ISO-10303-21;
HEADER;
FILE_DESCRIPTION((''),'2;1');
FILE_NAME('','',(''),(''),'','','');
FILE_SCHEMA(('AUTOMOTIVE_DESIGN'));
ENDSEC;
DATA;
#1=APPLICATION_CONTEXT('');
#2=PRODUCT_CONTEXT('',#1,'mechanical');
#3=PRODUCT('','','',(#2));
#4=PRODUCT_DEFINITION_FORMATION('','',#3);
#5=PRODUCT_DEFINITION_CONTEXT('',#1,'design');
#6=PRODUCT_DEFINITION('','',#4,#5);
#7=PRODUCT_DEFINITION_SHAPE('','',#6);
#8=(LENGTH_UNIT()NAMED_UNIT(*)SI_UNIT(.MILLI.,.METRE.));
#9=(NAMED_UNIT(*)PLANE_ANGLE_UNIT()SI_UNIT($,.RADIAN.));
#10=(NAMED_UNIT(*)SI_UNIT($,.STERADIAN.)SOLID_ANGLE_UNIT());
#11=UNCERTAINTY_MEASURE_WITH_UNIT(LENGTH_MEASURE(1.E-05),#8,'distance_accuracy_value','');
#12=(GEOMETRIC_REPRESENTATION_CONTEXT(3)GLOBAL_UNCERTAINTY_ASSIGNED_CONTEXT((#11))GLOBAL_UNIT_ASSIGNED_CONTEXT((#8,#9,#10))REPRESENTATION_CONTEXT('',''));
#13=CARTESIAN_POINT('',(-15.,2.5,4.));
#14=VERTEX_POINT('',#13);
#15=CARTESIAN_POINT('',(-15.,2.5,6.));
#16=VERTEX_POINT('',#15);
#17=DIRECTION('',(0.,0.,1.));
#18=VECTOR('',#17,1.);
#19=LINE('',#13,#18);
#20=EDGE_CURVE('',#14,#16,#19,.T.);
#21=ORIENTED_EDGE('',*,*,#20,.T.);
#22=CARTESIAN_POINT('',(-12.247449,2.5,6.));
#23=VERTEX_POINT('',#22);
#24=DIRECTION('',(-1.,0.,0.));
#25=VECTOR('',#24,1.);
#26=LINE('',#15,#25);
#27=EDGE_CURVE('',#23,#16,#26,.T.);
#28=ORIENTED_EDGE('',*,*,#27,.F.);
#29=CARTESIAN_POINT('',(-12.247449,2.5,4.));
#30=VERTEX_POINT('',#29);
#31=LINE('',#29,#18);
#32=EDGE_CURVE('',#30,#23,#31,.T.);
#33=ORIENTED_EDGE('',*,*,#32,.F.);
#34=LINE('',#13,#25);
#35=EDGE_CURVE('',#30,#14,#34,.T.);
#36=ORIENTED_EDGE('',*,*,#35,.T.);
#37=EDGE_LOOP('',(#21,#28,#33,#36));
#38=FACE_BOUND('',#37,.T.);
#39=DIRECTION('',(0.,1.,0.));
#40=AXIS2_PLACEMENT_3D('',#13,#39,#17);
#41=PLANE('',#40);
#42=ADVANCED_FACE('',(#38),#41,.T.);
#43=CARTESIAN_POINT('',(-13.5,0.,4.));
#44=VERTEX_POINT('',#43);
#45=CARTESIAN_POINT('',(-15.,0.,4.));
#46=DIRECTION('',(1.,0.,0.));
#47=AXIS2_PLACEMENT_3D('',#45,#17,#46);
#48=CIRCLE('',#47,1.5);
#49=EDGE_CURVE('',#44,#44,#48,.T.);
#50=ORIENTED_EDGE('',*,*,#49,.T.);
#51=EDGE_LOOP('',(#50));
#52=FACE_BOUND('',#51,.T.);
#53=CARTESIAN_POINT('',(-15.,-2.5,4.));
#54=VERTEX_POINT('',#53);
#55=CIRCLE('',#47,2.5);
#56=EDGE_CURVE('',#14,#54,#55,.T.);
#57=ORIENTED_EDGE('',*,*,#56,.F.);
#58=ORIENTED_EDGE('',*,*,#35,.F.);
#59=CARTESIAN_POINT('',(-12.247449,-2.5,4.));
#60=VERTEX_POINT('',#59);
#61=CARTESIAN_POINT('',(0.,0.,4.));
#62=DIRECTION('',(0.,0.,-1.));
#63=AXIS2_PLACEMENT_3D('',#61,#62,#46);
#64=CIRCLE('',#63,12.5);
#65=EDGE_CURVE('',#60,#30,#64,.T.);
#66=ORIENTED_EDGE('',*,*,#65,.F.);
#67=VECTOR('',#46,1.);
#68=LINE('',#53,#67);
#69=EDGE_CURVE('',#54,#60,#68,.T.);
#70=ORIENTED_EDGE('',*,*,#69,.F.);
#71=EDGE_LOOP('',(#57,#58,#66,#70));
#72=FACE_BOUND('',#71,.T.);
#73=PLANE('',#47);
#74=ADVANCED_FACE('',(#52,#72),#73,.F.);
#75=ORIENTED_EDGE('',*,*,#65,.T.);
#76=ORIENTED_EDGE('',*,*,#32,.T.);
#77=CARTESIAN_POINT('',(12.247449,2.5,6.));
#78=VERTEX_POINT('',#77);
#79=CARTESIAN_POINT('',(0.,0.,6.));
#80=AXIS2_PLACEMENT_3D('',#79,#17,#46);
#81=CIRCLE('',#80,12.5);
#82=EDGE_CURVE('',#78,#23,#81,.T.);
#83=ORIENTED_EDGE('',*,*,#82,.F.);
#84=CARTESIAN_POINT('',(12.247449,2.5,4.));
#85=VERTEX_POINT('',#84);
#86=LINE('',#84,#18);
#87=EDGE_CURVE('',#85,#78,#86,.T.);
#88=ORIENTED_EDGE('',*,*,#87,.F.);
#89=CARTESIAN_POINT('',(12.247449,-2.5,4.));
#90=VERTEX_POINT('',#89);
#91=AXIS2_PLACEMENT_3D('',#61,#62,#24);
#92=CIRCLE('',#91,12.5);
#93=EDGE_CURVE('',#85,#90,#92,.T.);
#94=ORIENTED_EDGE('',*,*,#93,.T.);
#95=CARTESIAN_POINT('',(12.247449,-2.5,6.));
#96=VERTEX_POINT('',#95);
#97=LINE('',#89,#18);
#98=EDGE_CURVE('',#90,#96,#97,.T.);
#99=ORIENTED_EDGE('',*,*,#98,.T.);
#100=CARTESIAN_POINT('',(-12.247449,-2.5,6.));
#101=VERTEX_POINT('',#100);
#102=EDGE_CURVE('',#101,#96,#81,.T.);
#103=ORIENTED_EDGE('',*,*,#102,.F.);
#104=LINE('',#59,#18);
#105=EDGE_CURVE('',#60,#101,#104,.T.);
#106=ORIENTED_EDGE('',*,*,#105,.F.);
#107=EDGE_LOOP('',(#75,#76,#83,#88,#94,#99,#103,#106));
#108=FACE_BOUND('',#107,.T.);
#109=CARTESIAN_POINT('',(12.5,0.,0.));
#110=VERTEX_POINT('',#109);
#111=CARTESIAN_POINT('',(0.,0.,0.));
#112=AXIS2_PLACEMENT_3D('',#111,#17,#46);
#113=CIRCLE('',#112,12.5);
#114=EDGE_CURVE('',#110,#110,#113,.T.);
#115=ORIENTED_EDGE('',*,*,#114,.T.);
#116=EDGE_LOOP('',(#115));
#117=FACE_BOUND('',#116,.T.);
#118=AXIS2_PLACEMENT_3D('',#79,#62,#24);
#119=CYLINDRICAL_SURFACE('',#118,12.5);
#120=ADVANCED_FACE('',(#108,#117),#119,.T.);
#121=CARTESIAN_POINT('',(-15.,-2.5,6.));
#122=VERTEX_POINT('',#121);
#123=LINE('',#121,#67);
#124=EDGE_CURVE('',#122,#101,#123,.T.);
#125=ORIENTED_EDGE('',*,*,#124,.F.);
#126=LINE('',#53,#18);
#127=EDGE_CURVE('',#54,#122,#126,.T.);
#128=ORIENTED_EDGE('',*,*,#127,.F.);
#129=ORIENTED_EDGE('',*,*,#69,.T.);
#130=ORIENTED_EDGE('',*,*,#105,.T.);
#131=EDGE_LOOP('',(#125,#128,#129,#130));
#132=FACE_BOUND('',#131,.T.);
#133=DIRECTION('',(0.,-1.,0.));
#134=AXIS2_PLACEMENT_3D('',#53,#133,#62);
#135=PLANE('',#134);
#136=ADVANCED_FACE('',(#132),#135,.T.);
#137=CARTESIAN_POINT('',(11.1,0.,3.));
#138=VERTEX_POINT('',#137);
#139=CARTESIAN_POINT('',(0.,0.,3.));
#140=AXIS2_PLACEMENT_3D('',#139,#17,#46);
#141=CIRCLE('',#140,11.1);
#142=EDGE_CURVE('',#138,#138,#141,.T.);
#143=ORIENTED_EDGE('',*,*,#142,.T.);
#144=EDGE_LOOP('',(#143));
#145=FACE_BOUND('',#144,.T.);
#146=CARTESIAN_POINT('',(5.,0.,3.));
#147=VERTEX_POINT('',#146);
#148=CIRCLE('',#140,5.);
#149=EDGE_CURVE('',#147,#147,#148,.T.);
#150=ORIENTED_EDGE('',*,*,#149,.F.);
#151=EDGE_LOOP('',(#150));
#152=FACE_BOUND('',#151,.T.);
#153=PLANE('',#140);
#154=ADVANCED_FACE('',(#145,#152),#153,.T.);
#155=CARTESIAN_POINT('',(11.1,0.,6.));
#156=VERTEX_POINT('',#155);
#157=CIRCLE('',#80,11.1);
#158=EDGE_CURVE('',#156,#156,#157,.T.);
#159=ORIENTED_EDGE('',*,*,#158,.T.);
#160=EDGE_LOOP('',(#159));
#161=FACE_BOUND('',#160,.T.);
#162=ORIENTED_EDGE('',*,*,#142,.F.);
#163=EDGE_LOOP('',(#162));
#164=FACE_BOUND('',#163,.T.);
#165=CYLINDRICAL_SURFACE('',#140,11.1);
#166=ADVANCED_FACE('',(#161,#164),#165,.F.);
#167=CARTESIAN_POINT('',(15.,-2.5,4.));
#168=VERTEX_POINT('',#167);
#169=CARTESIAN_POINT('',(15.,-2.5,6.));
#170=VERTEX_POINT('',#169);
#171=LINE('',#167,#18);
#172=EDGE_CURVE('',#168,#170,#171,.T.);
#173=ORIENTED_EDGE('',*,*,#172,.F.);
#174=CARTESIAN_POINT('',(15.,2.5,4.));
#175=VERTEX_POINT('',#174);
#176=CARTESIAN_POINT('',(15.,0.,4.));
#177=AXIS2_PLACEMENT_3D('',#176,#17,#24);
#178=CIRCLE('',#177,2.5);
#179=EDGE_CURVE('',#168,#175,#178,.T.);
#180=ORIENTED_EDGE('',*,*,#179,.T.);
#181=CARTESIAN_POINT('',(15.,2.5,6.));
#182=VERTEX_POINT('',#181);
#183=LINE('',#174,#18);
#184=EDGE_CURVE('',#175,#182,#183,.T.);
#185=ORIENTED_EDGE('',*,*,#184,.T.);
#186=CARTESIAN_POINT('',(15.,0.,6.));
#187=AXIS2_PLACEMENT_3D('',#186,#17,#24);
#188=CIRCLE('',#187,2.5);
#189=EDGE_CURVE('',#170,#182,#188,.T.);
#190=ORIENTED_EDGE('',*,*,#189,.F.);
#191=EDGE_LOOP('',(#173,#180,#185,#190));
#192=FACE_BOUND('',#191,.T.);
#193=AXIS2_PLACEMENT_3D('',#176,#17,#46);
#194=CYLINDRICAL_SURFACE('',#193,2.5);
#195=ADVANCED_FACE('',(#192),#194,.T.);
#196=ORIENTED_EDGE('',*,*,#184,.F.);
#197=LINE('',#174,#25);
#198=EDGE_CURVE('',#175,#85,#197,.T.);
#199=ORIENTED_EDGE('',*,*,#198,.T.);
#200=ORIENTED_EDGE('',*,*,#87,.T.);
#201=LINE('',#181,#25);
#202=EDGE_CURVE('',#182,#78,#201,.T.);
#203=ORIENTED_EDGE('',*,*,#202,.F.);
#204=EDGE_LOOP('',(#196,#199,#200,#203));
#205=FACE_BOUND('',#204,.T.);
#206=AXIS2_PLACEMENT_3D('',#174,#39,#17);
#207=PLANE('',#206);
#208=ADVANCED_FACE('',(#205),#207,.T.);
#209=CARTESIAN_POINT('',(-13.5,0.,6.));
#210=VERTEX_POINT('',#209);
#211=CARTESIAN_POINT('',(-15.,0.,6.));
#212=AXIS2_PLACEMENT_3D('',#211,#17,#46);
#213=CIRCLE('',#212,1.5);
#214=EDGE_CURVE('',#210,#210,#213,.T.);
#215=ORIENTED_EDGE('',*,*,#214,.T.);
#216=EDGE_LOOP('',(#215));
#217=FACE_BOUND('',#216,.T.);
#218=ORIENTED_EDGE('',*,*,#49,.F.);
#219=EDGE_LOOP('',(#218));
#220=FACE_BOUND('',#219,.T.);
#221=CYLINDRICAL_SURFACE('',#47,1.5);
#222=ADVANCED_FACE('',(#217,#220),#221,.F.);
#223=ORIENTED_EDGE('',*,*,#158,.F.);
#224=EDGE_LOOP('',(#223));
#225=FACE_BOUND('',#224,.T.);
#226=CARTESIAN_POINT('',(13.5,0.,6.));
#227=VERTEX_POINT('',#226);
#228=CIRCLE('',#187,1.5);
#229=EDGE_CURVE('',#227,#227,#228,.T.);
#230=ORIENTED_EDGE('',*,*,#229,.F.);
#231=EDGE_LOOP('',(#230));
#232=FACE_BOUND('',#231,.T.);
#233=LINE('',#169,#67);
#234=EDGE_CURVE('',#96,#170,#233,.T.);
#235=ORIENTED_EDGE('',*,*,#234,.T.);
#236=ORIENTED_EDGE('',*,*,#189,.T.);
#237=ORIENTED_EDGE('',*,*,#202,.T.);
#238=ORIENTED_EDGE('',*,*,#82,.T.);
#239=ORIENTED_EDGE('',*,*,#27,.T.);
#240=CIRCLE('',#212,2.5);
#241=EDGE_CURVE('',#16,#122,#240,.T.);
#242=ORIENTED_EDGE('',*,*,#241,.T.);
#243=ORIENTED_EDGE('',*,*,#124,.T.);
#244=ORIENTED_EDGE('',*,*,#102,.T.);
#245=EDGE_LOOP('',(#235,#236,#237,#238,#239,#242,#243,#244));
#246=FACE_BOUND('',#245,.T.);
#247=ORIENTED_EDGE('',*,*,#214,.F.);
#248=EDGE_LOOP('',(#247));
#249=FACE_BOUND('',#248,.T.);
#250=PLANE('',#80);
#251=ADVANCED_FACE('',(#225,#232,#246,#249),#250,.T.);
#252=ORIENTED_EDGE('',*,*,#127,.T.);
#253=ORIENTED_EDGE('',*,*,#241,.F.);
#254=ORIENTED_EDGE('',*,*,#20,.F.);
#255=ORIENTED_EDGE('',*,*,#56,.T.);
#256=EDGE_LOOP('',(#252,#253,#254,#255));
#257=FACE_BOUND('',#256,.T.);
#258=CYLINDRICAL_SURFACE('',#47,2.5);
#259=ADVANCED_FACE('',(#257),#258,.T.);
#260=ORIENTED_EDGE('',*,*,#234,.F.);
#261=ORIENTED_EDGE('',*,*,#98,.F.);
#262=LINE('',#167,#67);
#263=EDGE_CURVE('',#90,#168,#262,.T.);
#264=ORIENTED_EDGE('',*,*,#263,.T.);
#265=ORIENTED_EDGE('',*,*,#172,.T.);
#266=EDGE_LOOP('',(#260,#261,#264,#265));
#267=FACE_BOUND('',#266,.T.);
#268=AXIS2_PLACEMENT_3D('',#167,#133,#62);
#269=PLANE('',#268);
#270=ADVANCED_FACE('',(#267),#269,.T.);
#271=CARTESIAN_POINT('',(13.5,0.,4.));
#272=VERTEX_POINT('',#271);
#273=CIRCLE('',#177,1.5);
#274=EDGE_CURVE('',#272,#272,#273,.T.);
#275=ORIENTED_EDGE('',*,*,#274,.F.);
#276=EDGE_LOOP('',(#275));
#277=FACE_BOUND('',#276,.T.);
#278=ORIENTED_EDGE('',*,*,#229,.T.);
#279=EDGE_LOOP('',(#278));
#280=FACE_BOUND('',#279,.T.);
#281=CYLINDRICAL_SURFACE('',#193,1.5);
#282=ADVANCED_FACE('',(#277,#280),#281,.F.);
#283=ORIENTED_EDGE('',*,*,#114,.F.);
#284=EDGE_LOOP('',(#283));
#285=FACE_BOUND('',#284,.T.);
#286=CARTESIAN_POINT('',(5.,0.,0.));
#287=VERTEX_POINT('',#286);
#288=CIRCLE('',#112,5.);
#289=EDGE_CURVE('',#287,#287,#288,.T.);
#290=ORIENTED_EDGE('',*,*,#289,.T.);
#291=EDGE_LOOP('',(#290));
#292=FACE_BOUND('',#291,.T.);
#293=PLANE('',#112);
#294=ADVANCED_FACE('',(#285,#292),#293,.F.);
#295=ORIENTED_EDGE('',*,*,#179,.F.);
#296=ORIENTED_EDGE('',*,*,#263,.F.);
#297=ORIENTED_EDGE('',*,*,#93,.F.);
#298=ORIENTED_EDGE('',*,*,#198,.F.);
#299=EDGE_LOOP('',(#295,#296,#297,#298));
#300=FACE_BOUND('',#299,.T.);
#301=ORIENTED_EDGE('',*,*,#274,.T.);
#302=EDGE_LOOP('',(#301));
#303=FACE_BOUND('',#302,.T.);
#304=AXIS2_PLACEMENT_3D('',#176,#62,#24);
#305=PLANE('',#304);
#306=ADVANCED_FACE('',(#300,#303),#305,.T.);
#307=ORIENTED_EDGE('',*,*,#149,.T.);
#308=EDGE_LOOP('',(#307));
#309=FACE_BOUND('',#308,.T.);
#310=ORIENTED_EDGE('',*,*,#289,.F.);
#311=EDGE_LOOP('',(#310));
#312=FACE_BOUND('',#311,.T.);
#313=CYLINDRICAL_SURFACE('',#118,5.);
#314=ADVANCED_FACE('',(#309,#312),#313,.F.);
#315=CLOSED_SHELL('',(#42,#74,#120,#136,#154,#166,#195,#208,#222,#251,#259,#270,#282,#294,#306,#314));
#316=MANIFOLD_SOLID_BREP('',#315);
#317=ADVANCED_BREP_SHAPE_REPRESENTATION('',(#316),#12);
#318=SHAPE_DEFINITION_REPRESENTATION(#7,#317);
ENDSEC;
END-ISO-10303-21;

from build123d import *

# Parameters (mm, degrees)
SKETCH2_R           = 12.5
SKETCH2_R_2         = 5
BOSS_EXTRUDE3_DEPTH = 6
SKETCH4_R           = 11.1
CUT_EXTRUDE1_DEPTH  = 3
BOSS_EXTRUDE4_START = -2
SKETCH5_R           = 1.5
BOSS_EXTRUDE4_DEPTH = 2


with BuildPart() as part:
    # Sketch2 → Boss-Extrude3 (new body)
    with BuildSketch(Plane.XY):
        Circle(SKETCH2_R)
        Circle(SKETCH2_R_2, mode=Mode.SUBTRACT)
    extrude(amount=BOSS_EXTRUDE3_DEPTH)

    # Sketch4 → Cut-Extrude1 (cut)
    with BuildSketch(Plane.XY.offset(6)):
        Circle(SKETCH4_R)
    extrude(amount=-CUT_EXTRUDE1_DEPTH, mode=Mode.SUBTRACT)

    # Sketch5 → Boss-Extrude4 (add)
    # profile 1 of 2: a face of its own
    with BuildSketch(Plane.XY.offset(6).offset(BOSS_EXTRUDE4_START)):
        with BuildLine():
            Line((-15, 2.5), (-12.247448714, 2.5))
            ThreePointArc((-12.247448714, 2.5), (-12.5, 0), (-12.247448714, -2.5))
            Line((-12.247448714, -2.5), (-15, -2.5))
            ThreePointArc((-15, -2.5), (-17.5, 0), (-15, 2.5))
        make_face()
        with Locations((-15, 0)):
            Circle(SKETCH5_R, mode=Mode.SUBTRACT)
    # profile 2 of 2: a face of its own
    with BuildSketch(Plane.XY.offset(6).offset(BOSS_EXTRUDE4_START)):
        with BuildLine():
            Line((15, -2.5), (12.247448714, -2.5))
            ThreePointArc((12.247448714, -2.5), (12.5, 0), (12.247448714, 2.5))
            Line((12.247448714, 2.5), (15, 2.5))
            ThreePointArc((15, 2.5), (17.5, 0), (15, -2.5))
        make_face()
        with Locations(Location((15, 0, 0), (0, 0, 180))):
            Circle(SKETCH5_R, mode=Mode.SUBTRACT)
    extrude(amount=BOSS_EXTRUDE4_DEPTH)


solid = part.part
